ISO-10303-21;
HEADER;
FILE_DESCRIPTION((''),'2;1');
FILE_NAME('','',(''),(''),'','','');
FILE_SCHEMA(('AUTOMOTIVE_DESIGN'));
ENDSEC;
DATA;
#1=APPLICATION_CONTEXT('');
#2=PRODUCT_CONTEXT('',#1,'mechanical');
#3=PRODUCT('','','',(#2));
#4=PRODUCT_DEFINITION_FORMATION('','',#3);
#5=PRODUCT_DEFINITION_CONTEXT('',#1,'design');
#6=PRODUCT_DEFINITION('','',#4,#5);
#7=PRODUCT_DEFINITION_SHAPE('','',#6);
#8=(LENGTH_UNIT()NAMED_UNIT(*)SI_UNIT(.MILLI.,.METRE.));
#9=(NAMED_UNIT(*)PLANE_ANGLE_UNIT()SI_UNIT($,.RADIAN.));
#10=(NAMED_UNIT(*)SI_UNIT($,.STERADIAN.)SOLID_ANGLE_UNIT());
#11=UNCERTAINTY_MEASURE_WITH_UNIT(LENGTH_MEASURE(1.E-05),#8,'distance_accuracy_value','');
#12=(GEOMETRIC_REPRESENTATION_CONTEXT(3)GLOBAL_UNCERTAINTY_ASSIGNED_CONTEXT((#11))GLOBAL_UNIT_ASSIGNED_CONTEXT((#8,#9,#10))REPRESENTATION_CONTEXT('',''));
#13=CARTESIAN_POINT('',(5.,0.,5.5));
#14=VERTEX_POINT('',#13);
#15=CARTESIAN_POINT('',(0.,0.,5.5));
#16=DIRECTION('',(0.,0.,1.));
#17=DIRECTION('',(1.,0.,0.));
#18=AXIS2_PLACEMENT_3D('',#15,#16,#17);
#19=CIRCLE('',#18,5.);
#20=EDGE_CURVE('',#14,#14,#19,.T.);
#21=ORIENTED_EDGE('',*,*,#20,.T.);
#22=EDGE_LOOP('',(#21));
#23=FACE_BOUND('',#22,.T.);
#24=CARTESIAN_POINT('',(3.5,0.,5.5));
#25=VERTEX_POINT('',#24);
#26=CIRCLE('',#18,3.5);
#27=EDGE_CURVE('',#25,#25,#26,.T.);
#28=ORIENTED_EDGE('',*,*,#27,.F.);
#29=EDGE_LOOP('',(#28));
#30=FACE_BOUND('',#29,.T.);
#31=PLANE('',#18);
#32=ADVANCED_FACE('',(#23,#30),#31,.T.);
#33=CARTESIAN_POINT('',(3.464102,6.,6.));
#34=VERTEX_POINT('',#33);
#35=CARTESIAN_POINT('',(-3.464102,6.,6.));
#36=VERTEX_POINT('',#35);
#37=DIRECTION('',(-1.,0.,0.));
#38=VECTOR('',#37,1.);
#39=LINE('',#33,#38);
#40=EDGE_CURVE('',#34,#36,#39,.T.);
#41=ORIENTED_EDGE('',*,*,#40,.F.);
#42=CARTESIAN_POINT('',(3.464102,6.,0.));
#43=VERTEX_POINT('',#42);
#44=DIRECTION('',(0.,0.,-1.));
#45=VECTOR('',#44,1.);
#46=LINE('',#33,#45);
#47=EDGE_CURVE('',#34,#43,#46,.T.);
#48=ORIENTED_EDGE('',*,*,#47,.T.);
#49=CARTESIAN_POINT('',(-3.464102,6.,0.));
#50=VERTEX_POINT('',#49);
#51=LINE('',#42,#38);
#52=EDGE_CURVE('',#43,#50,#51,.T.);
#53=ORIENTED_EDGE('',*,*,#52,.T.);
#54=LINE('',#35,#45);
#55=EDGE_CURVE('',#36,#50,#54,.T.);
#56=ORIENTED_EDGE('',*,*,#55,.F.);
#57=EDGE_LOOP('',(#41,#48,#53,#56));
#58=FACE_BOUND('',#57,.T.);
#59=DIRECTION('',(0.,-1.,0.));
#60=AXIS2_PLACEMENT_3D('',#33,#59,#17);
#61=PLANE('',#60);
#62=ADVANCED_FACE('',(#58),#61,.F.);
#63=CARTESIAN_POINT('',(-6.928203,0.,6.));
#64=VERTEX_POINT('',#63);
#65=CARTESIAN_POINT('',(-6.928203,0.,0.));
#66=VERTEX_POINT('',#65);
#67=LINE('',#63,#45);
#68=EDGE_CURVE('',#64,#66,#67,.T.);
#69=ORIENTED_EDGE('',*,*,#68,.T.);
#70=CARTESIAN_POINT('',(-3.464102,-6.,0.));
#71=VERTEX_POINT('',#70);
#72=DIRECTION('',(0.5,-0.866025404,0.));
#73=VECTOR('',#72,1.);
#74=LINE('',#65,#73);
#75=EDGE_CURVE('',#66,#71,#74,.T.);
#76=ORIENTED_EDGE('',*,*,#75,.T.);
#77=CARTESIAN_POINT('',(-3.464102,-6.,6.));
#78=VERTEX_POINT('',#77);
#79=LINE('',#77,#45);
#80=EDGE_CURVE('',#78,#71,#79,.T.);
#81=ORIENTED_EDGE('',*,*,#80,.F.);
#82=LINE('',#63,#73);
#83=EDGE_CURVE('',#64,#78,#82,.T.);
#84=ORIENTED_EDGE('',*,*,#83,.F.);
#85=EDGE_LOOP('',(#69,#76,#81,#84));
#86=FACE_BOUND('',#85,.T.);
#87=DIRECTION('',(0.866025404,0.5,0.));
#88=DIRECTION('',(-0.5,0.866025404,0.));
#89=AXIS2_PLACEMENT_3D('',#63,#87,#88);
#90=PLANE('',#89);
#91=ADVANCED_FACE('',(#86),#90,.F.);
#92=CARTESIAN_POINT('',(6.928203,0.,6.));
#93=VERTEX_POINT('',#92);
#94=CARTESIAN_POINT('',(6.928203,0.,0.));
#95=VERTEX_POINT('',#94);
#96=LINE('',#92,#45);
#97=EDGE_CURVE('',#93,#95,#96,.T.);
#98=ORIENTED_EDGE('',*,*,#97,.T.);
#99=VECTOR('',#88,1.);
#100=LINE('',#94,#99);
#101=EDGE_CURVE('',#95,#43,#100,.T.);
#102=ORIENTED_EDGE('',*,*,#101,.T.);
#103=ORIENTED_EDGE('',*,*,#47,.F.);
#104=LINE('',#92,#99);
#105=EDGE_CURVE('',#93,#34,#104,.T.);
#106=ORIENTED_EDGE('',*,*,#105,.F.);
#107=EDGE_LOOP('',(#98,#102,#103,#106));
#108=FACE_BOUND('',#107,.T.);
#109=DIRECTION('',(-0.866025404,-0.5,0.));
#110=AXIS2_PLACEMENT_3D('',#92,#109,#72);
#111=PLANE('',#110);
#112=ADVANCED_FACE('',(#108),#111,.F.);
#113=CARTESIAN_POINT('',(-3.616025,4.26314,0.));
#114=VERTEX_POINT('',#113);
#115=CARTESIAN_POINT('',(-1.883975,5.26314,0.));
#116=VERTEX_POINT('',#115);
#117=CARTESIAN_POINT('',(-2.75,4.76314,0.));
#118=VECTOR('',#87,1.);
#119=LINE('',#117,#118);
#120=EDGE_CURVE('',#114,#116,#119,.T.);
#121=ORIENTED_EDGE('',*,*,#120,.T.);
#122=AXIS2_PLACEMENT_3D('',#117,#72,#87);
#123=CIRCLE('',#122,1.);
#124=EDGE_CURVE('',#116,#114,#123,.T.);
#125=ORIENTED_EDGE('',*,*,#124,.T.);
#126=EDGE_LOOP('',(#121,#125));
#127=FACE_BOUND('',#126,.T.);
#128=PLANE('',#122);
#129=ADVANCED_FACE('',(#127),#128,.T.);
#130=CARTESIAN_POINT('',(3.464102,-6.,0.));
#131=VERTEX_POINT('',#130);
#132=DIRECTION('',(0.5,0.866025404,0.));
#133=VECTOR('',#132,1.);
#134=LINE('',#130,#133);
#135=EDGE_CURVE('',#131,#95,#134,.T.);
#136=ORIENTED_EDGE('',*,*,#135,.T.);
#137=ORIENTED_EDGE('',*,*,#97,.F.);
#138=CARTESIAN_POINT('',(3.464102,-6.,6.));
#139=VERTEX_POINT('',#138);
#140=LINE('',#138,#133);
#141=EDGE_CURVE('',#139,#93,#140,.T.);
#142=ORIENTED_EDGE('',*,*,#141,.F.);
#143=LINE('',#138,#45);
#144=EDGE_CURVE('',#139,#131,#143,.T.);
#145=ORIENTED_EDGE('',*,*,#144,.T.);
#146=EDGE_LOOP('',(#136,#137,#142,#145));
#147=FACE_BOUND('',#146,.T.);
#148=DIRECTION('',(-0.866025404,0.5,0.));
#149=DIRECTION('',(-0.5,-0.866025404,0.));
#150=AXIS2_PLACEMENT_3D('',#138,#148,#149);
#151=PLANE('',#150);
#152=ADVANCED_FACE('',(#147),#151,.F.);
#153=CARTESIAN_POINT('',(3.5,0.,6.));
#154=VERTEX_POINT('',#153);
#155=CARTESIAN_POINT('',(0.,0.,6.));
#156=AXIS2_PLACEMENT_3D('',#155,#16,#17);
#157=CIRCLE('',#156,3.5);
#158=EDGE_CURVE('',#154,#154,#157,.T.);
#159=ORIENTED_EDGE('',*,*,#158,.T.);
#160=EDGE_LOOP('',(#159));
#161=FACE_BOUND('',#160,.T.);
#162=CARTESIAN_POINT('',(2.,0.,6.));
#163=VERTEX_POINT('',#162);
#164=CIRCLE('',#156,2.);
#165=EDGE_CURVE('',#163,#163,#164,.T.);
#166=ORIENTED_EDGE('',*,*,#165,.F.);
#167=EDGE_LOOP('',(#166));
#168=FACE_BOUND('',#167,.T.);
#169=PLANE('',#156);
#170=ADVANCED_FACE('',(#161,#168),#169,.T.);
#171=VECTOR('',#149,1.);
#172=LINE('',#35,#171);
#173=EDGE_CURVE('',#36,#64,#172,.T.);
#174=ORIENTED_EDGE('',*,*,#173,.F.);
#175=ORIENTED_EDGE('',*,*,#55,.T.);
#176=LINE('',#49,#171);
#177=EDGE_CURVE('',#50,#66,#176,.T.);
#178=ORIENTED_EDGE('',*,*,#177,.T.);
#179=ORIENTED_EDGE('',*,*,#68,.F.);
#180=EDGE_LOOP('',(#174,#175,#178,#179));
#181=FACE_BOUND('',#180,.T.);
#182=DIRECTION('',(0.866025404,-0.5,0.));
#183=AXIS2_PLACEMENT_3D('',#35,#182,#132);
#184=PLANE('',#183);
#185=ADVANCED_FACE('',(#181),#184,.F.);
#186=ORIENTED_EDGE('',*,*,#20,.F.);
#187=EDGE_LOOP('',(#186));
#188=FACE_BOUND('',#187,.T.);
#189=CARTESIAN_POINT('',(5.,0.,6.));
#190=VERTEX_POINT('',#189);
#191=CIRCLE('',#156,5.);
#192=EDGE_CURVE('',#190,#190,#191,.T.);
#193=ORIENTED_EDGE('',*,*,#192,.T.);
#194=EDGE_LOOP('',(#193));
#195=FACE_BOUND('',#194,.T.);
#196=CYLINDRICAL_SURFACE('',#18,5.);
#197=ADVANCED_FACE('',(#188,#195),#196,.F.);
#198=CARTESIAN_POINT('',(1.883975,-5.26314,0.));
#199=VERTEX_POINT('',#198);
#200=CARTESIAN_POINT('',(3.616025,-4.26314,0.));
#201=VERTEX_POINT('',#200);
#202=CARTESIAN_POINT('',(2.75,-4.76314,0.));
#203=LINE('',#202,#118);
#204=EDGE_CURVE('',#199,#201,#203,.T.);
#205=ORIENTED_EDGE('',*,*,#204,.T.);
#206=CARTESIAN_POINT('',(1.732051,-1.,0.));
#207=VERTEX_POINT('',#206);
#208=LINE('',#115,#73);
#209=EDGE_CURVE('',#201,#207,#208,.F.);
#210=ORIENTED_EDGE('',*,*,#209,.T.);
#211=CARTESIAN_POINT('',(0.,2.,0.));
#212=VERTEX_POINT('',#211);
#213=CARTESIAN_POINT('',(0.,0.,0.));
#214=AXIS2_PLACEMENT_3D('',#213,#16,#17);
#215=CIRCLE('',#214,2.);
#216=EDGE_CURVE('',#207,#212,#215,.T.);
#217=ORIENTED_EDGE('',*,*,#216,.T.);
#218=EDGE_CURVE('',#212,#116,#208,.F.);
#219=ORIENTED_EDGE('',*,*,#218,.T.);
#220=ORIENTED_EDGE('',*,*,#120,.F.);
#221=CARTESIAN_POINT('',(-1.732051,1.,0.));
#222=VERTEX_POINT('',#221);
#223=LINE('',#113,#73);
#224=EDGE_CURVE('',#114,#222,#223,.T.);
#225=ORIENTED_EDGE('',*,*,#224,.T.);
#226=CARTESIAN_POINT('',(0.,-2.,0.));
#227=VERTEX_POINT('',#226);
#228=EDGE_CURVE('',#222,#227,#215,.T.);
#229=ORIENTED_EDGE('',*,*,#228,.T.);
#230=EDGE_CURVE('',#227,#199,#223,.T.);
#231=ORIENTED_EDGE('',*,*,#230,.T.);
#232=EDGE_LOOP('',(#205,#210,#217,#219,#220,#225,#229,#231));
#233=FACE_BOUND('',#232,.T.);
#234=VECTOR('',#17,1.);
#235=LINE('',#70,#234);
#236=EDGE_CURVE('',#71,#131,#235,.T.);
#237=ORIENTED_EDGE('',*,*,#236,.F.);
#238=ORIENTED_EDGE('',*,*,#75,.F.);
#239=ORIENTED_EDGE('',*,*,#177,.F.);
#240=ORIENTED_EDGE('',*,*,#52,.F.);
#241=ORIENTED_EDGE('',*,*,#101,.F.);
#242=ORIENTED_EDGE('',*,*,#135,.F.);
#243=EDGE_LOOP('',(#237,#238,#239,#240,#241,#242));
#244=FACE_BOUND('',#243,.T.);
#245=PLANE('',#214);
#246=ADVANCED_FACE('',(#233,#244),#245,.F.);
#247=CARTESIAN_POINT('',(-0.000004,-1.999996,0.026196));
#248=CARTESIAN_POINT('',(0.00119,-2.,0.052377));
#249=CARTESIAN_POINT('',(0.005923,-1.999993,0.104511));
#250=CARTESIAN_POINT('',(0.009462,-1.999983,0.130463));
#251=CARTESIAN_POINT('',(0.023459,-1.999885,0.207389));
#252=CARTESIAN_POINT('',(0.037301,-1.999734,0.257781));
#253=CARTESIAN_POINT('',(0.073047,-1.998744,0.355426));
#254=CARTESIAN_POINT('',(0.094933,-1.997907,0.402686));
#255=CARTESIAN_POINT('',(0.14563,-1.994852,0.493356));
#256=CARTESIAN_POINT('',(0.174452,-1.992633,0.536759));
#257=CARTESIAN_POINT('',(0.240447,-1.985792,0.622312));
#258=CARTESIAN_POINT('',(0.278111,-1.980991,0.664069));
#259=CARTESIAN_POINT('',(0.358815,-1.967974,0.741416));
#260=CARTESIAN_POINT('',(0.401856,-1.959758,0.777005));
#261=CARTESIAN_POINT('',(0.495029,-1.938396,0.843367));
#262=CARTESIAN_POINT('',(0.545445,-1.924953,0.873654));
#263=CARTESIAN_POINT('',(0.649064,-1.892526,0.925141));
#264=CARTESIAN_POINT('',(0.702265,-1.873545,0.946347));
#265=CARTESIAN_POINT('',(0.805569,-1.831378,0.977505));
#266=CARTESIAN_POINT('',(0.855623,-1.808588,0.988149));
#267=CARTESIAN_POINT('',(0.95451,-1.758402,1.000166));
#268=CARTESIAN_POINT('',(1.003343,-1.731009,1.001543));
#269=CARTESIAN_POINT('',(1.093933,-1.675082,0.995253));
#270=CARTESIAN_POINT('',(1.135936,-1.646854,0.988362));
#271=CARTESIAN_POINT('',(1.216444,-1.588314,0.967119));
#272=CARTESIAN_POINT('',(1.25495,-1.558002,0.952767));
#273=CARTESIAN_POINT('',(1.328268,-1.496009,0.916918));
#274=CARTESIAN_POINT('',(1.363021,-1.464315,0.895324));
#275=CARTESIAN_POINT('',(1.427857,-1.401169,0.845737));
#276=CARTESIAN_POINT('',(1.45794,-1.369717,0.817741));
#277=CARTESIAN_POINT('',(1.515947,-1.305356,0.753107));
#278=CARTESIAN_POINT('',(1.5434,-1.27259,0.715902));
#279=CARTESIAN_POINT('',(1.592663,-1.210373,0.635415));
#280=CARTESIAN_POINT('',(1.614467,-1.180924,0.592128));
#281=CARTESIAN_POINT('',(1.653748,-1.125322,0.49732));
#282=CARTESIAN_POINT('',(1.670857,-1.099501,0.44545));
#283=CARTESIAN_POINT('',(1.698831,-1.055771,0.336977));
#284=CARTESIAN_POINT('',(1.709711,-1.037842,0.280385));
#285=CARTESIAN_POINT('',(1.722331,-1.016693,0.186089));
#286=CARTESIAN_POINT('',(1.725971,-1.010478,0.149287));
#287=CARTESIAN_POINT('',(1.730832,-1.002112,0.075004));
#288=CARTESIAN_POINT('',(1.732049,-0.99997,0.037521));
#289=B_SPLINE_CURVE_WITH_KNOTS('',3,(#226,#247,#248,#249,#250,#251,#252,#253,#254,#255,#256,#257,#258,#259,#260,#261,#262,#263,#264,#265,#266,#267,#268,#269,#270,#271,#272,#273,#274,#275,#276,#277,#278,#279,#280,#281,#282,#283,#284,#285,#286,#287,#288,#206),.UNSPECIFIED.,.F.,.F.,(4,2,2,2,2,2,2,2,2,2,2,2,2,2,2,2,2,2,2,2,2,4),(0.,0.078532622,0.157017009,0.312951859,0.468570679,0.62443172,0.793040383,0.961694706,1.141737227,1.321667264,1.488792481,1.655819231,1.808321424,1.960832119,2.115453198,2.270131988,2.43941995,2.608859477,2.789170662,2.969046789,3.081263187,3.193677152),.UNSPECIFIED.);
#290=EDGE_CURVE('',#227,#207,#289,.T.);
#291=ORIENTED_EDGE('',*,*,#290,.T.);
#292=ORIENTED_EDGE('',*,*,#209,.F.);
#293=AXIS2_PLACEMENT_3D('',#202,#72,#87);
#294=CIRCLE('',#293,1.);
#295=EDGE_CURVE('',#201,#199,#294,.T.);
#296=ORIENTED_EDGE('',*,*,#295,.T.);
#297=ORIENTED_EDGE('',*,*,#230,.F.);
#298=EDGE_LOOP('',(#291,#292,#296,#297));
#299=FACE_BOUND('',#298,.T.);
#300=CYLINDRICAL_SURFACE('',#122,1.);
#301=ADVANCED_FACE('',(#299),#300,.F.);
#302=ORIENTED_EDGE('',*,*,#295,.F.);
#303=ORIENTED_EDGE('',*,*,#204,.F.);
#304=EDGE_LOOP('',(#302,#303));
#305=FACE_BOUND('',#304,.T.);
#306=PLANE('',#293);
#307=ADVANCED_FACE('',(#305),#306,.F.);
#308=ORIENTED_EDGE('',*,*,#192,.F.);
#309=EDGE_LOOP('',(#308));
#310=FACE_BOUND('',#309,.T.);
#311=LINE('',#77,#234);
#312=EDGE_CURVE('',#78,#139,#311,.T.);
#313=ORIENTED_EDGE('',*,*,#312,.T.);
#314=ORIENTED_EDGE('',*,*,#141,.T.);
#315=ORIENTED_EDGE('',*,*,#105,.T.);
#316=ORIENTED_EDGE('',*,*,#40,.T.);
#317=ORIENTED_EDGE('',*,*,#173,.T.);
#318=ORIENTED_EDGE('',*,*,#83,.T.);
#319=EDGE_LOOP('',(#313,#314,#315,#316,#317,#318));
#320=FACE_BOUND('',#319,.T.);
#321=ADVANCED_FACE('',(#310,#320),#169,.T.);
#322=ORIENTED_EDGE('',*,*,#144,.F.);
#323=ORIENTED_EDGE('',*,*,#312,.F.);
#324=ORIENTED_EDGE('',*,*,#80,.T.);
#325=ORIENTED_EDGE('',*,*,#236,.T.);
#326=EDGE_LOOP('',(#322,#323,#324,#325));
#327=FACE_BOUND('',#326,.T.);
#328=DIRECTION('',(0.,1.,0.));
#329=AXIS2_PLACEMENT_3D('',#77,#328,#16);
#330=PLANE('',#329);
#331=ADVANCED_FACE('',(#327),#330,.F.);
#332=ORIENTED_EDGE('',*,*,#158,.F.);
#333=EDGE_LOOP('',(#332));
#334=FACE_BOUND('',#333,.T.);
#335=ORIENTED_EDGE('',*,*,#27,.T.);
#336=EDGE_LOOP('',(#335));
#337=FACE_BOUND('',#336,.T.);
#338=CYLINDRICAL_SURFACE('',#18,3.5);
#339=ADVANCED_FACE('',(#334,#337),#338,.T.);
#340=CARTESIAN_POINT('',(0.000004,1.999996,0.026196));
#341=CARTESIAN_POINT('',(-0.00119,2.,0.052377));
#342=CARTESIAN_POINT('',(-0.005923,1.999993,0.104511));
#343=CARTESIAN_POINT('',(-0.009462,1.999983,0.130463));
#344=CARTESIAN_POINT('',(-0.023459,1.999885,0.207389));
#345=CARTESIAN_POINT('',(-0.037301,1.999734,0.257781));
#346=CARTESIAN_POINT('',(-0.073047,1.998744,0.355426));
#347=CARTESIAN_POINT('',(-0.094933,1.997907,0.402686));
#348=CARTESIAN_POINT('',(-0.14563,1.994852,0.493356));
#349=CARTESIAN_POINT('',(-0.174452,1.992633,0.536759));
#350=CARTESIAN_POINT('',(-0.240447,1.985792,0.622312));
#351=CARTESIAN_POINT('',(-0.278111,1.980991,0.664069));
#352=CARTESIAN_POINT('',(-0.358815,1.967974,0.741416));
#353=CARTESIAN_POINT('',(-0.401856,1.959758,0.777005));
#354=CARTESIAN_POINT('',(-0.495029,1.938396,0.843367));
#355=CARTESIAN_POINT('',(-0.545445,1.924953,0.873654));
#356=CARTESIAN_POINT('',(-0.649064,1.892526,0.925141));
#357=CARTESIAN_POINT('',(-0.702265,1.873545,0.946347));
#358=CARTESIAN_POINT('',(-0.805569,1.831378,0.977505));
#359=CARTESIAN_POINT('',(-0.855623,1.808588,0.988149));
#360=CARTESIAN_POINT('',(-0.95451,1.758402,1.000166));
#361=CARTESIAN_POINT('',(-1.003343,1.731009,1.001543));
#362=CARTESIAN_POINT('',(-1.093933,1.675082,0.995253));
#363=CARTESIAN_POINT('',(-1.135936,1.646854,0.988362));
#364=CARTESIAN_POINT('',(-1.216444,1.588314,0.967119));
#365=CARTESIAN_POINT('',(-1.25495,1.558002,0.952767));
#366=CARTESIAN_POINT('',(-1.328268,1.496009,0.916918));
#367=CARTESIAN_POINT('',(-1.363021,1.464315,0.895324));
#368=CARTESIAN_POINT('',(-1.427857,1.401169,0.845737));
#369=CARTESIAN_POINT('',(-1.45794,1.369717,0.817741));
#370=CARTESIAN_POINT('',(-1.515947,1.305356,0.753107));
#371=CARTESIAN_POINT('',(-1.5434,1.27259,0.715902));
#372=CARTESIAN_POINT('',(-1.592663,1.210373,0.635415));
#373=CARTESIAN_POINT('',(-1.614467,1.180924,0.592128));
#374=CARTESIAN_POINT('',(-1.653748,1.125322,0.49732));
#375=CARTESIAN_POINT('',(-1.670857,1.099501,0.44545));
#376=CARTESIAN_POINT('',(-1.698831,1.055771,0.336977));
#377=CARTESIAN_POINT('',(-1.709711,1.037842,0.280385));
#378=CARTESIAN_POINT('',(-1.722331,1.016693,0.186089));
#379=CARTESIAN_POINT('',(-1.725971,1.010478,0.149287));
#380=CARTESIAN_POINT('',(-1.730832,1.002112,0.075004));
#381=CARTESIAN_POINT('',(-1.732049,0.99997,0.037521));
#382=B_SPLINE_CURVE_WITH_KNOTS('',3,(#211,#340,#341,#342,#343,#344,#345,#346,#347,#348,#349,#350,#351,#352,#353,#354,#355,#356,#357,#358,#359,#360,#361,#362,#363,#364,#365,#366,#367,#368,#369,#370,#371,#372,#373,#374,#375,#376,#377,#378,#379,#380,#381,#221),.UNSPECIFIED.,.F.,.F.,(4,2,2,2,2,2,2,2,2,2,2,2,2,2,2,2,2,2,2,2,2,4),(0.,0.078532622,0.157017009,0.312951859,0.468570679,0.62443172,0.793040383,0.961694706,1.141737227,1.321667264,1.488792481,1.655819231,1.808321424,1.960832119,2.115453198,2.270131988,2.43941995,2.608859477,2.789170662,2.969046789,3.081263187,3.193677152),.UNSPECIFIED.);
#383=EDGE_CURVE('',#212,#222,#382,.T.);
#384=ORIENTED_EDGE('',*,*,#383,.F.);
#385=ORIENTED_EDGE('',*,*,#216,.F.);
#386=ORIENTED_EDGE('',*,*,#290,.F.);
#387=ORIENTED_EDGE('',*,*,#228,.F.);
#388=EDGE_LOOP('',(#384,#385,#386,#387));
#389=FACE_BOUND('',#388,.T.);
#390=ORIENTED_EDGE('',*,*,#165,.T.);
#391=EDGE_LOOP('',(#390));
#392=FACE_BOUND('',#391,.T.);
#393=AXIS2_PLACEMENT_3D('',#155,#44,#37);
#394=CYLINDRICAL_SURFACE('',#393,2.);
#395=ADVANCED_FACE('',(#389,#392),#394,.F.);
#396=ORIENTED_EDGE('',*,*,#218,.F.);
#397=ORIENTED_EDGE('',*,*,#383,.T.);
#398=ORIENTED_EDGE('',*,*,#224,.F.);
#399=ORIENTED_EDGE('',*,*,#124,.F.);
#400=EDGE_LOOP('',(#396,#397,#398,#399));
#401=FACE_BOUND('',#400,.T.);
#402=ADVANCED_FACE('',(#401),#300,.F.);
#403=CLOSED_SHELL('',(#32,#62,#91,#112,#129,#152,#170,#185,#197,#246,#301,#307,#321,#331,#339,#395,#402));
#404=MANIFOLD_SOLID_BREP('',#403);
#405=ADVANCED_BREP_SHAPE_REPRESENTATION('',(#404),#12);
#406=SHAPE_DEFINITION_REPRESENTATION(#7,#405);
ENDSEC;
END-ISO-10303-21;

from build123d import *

# Parameters (mm, degrees)
SKETCH_1_R          = 2
EXTRUDE_1_DEPTH     = 6
SKETCH_2_R          = 5
SKETCH_2_R_2        = 3.5
CUT_EXTRUDE_1_DEPTH = 0.5
SKETCH_3_R          = 1
CUT_EXTRUDE_2_DEPTH = 5.5


with BuildPart() as part:
    # 草图1 → 凸台-拉伸1 (new body)
    with BuildSketch(Plane.XY):
        Polygon((3.464101615, -6), (6.92820323, 0), (3.464101615, 6), (-3.464101615, 6), (-6.92820323, 0), (-3.464101615, -6), align=None)
        Circle(SKETCH_1_R, mode=Mode.SUBTRACT)
    extrude(amount=EXTRUDE_1_DEPTH)

    # 草图2 → 切除-拉伸1 (cut)
    with BuildSketch(Plane.XY.offset(6)):
        Circle(SKETCH_2_R)
        Circle(SKETCH_2_R_2, mode=Mode.SUBTRACT)
    extrude(amount=-CUT_EXTRUDE_1_DEPTH, mode=Mode.SUBTRACT)

    # 草图3 → 切除-拉伸2 (cut, symmetric)
    with BuildSketch(Plane(origin=(0, 0, 0), x_dir=(-0.8660254037844387, -0.49999999999999983, 0), z_dir=(0.49999999999999983, -0.8660254037844387, 0))):
        Circle(SKETCH_3_R)
    extrude(amount=CUT_EXTRUDE_2_DEPTH, both=True, mode=Mode.SUBTRACT)


solid = part.part
